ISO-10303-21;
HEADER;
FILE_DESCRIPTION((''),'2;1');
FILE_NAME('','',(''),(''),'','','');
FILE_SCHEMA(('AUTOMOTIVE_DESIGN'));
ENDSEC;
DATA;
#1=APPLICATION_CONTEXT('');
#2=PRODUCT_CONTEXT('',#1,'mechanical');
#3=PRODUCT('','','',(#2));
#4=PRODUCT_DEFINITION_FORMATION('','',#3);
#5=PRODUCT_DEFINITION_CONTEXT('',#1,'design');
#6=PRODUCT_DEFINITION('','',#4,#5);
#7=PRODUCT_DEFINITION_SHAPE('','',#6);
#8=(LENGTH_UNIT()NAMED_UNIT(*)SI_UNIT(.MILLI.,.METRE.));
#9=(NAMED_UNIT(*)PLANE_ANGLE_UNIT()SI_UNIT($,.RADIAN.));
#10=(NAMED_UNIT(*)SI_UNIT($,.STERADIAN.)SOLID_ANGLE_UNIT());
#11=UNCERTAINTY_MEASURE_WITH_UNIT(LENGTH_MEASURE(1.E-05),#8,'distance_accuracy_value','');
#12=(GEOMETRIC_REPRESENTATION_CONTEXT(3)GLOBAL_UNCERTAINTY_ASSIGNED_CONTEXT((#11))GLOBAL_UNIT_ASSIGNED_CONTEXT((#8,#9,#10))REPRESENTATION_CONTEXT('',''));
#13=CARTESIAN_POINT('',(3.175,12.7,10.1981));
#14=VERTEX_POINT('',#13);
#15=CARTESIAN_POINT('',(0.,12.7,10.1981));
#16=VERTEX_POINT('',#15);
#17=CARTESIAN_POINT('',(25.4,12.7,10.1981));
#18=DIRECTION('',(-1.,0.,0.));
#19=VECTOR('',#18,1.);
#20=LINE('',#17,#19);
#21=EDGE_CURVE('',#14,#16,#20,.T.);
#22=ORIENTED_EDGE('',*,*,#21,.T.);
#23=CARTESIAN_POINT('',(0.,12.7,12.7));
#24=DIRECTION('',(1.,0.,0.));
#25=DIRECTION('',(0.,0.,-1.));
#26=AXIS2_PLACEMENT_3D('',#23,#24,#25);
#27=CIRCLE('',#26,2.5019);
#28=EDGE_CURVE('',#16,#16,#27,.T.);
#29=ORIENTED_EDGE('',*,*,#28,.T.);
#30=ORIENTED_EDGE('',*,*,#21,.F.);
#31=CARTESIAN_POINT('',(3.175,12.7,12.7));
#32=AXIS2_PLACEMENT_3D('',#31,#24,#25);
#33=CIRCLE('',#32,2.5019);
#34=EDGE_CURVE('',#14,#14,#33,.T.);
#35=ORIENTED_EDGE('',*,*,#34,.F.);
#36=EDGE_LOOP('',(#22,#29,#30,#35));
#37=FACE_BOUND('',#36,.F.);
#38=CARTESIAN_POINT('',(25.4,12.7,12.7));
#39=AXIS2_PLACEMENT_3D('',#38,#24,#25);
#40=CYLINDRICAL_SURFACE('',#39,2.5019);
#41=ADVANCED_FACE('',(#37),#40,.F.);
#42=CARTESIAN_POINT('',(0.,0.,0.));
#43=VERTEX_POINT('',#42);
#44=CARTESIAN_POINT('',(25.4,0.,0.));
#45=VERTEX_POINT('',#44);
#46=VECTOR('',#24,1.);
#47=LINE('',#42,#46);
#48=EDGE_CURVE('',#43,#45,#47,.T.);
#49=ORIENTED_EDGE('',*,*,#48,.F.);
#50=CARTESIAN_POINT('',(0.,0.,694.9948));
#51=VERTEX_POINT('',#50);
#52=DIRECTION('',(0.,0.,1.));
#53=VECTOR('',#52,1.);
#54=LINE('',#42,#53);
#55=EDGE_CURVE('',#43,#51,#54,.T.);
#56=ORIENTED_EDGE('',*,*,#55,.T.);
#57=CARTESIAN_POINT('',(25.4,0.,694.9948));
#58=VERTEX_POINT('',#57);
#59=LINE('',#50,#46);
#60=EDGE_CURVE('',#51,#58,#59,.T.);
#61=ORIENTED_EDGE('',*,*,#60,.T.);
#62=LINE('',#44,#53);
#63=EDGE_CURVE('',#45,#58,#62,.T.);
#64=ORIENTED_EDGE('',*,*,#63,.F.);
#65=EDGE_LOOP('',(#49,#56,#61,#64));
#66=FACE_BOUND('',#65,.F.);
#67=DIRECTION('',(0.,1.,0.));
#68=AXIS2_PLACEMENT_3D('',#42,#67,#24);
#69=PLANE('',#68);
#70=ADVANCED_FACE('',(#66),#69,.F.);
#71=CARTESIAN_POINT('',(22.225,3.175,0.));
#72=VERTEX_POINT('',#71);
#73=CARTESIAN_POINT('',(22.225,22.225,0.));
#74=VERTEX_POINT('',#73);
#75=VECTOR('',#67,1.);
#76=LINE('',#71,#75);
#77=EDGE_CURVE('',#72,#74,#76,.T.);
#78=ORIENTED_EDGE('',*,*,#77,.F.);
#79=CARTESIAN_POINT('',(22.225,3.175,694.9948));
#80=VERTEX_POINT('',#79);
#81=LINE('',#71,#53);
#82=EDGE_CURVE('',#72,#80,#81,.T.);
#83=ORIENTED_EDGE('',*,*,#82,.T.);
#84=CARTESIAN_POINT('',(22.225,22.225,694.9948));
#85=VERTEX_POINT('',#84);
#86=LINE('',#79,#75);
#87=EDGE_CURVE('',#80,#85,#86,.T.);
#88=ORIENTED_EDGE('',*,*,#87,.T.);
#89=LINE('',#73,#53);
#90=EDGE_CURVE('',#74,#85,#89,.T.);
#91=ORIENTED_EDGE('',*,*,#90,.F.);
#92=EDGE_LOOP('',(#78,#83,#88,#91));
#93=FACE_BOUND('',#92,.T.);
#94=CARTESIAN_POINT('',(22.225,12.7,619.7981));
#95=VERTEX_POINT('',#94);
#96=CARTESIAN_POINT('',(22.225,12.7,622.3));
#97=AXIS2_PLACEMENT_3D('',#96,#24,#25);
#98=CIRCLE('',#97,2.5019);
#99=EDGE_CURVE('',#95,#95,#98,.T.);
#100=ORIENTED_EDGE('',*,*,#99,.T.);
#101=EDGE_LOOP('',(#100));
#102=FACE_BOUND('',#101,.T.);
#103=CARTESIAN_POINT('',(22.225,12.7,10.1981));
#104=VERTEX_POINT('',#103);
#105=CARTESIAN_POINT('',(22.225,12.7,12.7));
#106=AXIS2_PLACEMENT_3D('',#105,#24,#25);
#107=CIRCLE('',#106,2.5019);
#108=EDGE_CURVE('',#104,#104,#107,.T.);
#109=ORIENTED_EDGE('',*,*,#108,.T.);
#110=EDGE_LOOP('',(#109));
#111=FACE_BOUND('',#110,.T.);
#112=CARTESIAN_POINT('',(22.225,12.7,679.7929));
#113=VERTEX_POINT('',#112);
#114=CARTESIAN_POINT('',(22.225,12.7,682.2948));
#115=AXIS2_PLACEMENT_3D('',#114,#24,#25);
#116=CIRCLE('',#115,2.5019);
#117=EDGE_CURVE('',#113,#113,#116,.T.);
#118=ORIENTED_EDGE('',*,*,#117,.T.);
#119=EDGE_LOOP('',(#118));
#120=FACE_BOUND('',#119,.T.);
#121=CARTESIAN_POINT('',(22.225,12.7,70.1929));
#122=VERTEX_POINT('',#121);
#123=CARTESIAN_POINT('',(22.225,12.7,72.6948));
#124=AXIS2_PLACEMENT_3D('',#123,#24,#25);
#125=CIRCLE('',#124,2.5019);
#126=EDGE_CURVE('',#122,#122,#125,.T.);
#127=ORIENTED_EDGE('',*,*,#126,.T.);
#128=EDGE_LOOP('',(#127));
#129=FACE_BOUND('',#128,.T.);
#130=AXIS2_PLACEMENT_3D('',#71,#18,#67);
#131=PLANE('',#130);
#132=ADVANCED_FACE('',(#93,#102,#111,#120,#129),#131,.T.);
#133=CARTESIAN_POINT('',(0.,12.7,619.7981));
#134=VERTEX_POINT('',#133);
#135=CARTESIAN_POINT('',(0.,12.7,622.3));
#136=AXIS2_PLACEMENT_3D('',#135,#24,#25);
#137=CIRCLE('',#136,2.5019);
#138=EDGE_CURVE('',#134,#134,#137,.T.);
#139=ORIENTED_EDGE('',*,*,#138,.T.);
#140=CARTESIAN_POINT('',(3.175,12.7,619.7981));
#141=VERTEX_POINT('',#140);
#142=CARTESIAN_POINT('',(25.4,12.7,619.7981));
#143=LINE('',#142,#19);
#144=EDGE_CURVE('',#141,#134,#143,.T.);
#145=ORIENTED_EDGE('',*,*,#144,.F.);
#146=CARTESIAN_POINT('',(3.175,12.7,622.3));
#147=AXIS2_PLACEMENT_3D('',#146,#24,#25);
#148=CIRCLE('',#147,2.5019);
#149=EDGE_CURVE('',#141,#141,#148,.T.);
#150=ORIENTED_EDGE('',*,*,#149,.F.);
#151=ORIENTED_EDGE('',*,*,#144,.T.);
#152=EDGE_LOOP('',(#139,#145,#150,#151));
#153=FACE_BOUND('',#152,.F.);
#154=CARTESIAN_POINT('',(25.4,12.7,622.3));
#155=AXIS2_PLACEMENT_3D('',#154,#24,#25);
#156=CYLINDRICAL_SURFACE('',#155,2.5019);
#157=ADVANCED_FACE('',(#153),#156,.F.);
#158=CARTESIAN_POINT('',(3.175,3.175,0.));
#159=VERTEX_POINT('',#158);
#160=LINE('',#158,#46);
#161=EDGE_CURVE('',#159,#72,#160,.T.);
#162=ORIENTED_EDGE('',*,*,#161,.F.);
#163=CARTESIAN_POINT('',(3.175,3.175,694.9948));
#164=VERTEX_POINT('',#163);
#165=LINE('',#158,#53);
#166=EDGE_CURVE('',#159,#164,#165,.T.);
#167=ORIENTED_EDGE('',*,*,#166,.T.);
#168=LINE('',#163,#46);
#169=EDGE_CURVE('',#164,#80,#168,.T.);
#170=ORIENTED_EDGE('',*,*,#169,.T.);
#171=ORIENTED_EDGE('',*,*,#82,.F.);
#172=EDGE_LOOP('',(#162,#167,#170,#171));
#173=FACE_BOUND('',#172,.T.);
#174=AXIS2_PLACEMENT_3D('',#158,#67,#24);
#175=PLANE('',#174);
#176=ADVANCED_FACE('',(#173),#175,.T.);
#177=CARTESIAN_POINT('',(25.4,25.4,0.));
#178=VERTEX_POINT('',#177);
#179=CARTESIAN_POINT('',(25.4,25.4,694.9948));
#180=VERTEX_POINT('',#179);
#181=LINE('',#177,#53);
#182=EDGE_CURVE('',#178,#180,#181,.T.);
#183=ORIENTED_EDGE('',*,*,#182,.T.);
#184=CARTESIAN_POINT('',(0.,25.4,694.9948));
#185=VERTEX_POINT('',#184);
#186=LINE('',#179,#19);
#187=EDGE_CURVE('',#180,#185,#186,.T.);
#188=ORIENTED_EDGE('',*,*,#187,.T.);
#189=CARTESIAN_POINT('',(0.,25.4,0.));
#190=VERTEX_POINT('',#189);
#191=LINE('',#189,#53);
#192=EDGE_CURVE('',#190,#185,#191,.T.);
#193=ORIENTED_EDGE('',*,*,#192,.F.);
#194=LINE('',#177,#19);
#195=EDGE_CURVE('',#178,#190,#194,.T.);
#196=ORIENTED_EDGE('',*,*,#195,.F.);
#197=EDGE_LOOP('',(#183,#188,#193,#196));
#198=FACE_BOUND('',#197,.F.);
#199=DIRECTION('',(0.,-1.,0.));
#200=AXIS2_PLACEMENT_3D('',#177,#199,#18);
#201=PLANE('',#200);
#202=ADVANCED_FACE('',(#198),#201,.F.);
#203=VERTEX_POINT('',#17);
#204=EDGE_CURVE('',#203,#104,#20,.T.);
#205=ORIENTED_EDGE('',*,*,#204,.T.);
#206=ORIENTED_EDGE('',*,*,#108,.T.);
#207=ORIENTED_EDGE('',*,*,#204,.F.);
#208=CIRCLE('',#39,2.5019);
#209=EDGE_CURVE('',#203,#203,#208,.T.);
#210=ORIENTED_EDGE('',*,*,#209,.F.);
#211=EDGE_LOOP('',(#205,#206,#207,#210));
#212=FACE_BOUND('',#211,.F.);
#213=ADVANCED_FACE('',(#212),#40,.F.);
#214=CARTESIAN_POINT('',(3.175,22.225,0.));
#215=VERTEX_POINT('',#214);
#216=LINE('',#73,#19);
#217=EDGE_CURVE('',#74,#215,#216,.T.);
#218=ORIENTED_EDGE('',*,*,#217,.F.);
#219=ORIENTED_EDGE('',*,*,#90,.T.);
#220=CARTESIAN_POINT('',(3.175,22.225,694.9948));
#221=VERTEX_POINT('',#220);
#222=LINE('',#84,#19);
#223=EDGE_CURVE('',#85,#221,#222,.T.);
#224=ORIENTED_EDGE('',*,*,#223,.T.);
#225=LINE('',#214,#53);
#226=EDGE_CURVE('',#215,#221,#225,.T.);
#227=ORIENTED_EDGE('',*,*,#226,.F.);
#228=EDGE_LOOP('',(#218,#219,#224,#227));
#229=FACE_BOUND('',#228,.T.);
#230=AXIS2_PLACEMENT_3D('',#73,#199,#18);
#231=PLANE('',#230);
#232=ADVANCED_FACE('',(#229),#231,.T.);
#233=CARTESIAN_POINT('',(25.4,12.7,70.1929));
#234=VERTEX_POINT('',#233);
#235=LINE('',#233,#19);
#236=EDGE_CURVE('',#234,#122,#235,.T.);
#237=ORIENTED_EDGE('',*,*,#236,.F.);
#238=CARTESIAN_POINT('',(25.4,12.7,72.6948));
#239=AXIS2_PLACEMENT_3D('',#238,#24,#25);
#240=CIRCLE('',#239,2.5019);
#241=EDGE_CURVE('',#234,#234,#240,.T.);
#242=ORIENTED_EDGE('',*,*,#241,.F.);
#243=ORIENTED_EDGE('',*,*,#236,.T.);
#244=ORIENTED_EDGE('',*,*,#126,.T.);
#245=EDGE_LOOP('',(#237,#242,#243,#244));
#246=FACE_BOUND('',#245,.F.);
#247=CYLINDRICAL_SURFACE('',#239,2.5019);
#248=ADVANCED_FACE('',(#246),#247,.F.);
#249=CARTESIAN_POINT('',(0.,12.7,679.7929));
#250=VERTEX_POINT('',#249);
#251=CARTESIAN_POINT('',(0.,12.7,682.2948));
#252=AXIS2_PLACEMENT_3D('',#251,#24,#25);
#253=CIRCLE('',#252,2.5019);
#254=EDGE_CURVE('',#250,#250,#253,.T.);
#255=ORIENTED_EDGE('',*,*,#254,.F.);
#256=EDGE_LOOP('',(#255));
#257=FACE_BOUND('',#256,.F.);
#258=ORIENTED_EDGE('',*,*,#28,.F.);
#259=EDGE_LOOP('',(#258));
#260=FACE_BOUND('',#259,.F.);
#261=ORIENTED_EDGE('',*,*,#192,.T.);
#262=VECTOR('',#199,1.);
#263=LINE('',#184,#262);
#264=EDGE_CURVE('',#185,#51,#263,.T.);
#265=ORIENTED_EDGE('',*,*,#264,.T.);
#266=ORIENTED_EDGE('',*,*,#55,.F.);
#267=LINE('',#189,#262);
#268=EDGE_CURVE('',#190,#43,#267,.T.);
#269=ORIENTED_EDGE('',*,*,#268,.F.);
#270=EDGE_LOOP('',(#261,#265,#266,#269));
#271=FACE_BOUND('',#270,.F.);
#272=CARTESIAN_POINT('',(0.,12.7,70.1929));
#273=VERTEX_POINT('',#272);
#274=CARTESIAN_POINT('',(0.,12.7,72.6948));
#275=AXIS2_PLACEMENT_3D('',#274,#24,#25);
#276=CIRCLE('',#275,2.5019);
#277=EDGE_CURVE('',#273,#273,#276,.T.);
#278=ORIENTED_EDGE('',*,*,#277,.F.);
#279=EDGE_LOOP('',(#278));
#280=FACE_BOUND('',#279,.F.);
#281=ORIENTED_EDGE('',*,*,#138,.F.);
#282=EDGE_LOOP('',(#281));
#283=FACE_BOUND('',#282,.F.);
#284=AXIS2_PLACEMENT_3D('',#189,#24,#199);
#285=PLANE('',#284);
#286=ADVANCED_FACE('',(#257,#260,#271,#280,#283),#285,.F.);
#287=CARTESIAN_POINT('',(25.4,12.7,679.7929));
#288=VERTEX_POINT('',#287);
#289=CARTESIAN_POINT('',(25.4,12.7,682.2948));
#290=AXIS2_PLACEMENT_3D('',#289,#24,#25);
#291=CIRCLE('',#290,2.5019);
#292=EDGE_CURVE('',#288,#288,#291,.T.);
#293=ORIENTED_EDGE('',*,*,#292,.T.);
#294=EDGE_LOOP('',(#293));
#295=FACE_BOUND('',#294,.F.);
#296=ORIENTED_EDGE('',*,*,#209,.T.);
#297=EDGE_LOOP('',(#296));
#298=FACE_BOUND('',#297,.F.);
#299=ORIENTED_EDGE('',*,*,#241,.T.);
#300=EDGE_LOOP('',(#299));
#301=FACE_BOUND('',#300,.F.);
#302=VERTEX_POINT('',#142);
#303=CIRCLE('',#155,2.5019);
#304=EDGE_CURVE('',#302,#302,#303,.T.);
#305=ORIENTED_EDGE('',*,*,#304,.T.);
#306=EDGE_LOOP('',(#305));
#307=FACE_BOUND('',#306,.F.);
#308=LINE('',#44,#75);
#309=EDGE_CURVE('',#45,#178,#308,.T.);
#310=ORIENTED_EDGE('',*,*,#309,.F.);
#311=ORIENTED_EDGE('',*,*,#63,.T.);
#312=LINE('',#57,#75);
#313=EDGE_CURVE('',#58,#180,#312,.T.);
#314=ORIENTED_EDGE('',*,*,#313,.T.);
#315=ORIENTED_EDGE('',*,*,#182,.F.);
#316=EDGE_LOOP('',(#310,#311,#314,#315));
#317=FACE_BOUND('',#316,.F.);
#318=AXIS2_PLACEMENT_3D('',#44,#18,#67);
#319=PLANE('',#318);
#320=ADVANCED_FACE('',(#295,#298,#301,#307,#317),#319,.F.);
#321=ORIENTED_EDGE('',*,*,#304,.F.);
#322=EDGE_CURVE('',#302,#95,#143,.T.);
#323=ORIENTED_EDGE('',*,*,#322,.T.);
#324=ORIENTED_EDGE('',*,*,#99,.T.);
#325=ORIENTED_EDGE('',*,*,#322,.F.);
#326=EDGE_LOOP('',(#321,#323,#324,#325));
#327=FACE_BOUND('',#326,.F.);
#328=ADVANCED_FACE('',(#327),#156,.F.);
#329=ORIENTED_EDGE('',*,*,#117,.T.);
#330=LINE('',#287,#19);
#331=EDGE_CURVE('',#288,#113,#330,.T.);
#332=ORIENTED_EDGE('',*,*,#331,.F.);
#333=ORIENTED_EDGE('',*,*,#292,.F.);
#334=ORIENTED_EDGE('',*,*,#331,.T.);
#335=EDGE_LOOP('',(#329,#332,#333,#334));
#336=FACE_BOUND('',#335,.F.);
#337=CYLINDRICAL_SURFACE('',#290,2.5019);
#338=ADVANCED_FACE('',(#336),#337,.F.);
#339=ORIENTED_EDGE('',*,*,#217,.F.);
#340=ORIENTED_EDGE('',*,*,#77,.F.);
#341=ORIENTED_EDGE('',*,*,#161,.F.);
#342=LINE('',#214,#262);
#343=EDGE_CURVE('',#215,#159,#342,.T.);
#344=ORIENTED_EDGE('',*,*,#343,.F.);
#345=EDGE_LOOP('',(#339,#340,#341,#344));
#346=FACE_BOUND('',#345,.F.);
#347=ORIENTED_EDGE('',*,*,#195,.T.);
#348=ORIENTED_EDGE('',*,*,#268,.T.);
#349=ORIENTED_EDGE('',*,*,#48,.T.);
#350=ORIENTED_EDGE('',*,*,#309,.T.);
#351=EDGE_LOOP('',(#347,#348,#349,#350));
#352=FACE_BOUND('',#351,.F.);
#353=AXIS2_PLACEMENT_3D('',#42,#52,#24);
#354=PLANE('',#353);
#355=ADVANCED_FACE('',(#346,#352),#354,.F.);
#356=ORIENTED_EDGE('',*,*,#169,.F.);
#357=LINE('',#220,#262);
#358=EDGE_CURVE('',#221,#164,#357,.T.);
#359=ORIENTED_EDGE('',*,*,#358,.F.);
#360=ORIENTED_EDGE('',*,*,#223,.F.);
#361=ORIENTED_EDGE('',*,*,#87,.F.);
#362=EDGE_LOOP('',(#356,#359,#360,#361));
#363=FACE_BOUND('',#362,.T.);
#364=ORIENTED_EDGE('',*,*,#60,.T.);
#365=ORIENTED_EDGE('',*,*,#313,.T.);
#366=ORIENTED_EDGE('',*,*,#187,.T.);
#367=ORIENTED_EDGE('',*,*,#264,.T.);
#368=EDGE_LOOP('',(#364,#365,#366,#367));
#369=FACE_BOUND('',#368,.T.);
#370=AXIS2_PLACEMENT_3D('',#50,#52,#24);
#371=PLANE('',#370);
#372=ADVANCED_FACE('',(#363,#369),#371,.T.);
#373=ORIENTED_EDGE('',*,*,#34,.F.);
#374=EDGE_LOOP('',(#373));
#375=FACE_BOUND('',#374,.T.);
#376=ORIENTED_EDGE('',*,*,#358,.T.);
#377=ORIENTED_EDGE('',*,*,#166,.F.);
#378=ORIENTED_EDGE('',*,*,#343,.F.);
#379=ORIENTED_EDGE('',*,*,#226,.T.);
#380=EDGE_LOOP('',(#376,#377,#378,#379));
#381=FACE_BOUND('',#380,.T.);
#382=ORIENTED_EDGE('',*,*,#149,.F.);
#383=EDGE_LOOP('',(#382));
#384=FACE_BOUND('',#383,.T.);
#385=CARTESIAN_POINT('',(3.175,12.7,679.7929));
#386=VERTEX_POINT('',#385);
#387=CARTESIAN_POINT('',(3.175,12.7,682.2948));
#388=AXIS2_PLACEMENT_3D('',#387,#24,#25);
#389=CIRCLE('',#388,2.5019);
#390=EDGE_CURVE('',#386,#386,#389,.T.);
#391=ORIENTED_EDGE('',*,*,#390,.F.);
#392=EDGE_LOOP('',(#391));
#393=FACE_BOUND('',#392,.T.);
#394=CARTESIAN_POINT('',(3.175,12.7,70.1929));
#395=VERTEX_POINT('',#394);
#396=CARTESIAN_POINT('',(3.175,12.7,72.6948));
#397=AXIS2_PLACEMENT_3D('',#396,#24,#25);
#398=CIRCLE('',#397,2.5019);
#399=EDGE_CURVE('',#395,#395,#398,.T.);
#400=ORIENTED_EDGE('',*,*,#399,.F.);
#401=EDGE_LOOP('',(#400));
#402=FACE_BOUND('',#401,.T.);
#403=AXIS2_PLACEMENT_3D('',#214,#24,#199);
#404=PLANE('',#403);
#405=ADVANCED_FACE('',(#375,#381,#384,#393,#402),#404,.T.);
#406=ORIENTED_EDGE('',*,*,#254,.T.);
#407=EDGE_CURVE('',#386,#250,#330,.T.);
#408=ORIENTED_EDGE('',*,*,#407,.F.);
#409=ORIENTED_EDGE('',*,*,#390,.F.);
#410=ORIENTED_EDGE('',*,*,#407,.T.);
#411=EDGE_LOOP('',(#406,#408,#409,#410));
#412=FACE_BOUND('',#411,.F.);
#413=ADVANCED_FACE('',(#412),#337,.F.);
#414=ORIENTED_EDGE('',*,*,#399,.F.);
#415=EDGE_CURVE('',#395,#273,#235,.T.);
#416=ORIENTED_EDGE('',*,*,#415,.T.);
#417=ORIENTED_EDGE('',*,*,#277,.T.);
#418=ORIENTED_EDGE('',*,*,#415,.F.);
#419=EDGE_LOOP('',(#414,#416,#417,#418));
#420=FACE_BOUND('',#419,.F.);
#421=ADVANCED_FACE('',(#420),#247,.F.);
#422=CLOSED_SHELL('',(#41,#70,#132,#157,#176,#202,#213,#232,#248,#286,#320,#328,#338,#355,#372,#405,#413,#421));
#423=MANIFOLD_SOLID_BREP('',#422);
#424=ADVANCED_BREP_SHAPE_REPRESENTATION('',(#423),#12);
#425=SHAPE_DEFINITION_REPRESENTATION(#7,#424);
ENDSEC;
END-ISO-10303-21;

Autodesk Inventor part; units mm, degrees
ref_plane "YZ Plane" through (0, 0, 0) normal (1, 0, 0) x (0, 1, 0)
ref_plane "XZ Plane" through (0, 0, 0) normal (0, 1, 0) x (-1, 0, 0)
ref_plane "XY Plane" through (0, 0, 0) normal (0, 0, 1) x (1, 0, 0)
sketch "Sketch1" plane through (0, 0, 0) normal (0, 0, 1) x (1, 0, 0)
  line L0 (0, 0) -> (25.4, 0)
  line L1 (25.4, 0) -> (25.4, 25.4)
  line L2 (25.4, 25.4) -> (0, 25.4)
  line L3 (0, 25.4) -> (0, 0)
  line L4 (3.175, 3.175) -> (22.225, 3.175)
  line L5 (22.225, 3.175) -> (22.225, 22.225)
  line L6 (22.225, 22.225) -> (3.175, 22.225)
  line L7 (3.175, 22.225) -> (3.175, 3.175)
  dimension "d0" = 25.4
  dimension "d1" = 25.4
  dimension "d2" = 3.175
extrude "Extrusion1" add sketch "Sketch1" along normal blind 694.9948
sketch "Sketch2" plane through (25.4, 0, 0) normal (1, 0, 0) x (0, 0, -1)
  line L0 (0, 3.175) -> (0, 22.225) construction
  line L1 (0, 12.7) -> (-12.7, 12.7) construction
  line L2 (-694.9948, 22.225) -> (-694.9948, 3.175) construction
  line L3 (-694.9948, 12.7) -> (-682.2948, 12.7) construction
  circle A0 centre (-682.2948, 12.7) radius 2.5019
  circle A1 centre (-12.7, 12.7) radius 2.5019
  line L4 (-682.2948, 12.7) -> (-622.3, 12.7) construction
  line L5 (-12.7, 12.7) -> (-72.6948, 12.7) construction
  circle A2 centre (-72.6948, 12.7) radius 2.5019
  circle A3 centre (-622.3, 12.7) radius 2.5019
  point P0 (0, 0)
  dimension "d5" = 12.7
  dimension "d7" = 12.7
  dimension "d8" = 5.0038
  dimension "d11" = 59.9948
  dimension "d12" = 59.9948
extrude "Extrusion3" cut sketch "Sketch2" against normal blind 694.9948
properties part number "1x1 27 362in"
